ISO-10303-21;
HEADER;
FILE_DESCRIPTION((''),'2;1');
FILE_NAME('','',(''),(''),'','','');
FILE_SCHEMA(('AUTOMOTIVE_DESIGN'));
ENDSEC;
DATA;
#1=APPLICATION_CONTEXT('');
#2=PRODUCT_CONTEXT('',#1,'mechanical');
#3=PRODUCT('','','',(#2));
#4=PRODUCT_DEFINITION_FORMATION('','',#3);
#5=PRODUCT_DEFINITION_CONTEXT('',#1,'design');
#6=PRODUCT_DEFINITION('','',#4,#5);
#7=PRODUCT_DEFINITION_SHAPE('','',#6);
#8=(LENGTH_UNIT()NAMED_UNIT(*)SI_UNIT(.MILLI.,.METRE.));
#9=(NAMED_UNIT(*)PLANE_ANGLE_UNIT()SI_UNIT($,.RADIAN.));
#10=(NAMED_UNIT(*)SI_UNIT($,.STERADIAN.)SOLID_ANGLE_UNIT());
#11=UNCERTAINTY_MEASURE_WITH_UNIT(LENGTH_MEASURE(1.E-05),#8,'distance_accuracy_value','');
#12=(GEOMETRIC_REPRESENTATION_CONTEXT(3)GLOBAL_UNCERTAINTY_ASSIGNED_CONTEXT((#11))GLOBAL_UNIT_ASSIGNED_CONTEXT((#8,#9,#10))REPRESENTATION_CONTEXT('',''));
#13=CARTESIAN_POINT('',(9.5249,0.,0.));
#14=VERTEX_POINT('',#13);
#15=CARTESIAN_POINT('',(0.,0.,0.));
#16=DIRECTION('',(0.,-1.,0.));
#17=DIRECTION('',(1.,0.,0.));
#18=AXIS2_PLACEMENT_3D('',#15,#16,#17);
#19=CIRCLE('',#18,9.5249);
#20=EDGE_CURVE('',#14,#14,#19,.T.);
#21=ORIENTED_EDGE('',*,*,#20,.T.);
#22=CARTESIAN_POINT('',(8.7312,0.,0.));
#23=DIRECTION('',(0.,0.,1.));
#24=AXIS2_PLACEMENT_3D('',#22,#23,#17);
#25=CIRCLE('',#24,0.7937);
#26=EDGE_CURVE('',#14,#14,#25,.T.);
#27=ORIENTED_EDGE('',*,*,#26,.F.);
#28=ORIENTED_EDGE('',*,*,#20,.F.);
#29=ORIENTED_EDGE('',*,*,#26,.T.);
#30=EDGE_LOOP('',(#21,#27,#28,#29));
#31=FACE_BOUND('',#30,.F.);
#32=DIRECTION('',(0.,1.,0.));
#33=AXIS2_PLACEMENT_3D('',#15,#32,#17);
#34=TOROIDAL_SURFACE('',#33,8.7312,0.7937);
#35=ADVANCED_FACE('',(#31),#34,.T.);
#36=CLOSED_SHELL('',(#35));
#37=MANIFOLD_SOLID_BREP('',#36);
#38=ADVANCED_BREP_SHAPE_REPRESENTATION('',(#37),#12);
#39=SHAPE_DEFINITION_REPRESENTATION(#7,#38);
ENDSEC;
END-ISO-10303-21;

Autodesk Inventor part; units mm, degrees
ref_plane "YZ Plane" through (0, 0, 0) normal (1, 0, 0) x (0, 1, 0)
ref_plane "XZ Plane" through (0, 0, 0) normal (0, 1, 0) x (-1, 0, 0)
ref_plane "XY Plane" through (0, 0, 0) normal (0, 0, 1) x (1, 0, 0)
sketch "Sketch1" plane through (0, 0, 0) normal (0, 0, 1) x (1, 0, 0)
  line L0 (0, 0) -> (8.7312, 0) construction
  circle A0 centre (8.7312, 0) radius 0.7937
  line L1 (0, 0) -> (0, -2.54)
  dimension "d0" = 8.7312
  dimension "d1" = 1.5875
  dimension "d2" = 2.54
revolve "Revolution1" add sketch "Sketch1" angle 360 about axis through (0, 0, 0) along (0, -1, 0)
properties part number "Rebuild Shooter NCDME075-0600 Piston Seal" material "Rubber"
